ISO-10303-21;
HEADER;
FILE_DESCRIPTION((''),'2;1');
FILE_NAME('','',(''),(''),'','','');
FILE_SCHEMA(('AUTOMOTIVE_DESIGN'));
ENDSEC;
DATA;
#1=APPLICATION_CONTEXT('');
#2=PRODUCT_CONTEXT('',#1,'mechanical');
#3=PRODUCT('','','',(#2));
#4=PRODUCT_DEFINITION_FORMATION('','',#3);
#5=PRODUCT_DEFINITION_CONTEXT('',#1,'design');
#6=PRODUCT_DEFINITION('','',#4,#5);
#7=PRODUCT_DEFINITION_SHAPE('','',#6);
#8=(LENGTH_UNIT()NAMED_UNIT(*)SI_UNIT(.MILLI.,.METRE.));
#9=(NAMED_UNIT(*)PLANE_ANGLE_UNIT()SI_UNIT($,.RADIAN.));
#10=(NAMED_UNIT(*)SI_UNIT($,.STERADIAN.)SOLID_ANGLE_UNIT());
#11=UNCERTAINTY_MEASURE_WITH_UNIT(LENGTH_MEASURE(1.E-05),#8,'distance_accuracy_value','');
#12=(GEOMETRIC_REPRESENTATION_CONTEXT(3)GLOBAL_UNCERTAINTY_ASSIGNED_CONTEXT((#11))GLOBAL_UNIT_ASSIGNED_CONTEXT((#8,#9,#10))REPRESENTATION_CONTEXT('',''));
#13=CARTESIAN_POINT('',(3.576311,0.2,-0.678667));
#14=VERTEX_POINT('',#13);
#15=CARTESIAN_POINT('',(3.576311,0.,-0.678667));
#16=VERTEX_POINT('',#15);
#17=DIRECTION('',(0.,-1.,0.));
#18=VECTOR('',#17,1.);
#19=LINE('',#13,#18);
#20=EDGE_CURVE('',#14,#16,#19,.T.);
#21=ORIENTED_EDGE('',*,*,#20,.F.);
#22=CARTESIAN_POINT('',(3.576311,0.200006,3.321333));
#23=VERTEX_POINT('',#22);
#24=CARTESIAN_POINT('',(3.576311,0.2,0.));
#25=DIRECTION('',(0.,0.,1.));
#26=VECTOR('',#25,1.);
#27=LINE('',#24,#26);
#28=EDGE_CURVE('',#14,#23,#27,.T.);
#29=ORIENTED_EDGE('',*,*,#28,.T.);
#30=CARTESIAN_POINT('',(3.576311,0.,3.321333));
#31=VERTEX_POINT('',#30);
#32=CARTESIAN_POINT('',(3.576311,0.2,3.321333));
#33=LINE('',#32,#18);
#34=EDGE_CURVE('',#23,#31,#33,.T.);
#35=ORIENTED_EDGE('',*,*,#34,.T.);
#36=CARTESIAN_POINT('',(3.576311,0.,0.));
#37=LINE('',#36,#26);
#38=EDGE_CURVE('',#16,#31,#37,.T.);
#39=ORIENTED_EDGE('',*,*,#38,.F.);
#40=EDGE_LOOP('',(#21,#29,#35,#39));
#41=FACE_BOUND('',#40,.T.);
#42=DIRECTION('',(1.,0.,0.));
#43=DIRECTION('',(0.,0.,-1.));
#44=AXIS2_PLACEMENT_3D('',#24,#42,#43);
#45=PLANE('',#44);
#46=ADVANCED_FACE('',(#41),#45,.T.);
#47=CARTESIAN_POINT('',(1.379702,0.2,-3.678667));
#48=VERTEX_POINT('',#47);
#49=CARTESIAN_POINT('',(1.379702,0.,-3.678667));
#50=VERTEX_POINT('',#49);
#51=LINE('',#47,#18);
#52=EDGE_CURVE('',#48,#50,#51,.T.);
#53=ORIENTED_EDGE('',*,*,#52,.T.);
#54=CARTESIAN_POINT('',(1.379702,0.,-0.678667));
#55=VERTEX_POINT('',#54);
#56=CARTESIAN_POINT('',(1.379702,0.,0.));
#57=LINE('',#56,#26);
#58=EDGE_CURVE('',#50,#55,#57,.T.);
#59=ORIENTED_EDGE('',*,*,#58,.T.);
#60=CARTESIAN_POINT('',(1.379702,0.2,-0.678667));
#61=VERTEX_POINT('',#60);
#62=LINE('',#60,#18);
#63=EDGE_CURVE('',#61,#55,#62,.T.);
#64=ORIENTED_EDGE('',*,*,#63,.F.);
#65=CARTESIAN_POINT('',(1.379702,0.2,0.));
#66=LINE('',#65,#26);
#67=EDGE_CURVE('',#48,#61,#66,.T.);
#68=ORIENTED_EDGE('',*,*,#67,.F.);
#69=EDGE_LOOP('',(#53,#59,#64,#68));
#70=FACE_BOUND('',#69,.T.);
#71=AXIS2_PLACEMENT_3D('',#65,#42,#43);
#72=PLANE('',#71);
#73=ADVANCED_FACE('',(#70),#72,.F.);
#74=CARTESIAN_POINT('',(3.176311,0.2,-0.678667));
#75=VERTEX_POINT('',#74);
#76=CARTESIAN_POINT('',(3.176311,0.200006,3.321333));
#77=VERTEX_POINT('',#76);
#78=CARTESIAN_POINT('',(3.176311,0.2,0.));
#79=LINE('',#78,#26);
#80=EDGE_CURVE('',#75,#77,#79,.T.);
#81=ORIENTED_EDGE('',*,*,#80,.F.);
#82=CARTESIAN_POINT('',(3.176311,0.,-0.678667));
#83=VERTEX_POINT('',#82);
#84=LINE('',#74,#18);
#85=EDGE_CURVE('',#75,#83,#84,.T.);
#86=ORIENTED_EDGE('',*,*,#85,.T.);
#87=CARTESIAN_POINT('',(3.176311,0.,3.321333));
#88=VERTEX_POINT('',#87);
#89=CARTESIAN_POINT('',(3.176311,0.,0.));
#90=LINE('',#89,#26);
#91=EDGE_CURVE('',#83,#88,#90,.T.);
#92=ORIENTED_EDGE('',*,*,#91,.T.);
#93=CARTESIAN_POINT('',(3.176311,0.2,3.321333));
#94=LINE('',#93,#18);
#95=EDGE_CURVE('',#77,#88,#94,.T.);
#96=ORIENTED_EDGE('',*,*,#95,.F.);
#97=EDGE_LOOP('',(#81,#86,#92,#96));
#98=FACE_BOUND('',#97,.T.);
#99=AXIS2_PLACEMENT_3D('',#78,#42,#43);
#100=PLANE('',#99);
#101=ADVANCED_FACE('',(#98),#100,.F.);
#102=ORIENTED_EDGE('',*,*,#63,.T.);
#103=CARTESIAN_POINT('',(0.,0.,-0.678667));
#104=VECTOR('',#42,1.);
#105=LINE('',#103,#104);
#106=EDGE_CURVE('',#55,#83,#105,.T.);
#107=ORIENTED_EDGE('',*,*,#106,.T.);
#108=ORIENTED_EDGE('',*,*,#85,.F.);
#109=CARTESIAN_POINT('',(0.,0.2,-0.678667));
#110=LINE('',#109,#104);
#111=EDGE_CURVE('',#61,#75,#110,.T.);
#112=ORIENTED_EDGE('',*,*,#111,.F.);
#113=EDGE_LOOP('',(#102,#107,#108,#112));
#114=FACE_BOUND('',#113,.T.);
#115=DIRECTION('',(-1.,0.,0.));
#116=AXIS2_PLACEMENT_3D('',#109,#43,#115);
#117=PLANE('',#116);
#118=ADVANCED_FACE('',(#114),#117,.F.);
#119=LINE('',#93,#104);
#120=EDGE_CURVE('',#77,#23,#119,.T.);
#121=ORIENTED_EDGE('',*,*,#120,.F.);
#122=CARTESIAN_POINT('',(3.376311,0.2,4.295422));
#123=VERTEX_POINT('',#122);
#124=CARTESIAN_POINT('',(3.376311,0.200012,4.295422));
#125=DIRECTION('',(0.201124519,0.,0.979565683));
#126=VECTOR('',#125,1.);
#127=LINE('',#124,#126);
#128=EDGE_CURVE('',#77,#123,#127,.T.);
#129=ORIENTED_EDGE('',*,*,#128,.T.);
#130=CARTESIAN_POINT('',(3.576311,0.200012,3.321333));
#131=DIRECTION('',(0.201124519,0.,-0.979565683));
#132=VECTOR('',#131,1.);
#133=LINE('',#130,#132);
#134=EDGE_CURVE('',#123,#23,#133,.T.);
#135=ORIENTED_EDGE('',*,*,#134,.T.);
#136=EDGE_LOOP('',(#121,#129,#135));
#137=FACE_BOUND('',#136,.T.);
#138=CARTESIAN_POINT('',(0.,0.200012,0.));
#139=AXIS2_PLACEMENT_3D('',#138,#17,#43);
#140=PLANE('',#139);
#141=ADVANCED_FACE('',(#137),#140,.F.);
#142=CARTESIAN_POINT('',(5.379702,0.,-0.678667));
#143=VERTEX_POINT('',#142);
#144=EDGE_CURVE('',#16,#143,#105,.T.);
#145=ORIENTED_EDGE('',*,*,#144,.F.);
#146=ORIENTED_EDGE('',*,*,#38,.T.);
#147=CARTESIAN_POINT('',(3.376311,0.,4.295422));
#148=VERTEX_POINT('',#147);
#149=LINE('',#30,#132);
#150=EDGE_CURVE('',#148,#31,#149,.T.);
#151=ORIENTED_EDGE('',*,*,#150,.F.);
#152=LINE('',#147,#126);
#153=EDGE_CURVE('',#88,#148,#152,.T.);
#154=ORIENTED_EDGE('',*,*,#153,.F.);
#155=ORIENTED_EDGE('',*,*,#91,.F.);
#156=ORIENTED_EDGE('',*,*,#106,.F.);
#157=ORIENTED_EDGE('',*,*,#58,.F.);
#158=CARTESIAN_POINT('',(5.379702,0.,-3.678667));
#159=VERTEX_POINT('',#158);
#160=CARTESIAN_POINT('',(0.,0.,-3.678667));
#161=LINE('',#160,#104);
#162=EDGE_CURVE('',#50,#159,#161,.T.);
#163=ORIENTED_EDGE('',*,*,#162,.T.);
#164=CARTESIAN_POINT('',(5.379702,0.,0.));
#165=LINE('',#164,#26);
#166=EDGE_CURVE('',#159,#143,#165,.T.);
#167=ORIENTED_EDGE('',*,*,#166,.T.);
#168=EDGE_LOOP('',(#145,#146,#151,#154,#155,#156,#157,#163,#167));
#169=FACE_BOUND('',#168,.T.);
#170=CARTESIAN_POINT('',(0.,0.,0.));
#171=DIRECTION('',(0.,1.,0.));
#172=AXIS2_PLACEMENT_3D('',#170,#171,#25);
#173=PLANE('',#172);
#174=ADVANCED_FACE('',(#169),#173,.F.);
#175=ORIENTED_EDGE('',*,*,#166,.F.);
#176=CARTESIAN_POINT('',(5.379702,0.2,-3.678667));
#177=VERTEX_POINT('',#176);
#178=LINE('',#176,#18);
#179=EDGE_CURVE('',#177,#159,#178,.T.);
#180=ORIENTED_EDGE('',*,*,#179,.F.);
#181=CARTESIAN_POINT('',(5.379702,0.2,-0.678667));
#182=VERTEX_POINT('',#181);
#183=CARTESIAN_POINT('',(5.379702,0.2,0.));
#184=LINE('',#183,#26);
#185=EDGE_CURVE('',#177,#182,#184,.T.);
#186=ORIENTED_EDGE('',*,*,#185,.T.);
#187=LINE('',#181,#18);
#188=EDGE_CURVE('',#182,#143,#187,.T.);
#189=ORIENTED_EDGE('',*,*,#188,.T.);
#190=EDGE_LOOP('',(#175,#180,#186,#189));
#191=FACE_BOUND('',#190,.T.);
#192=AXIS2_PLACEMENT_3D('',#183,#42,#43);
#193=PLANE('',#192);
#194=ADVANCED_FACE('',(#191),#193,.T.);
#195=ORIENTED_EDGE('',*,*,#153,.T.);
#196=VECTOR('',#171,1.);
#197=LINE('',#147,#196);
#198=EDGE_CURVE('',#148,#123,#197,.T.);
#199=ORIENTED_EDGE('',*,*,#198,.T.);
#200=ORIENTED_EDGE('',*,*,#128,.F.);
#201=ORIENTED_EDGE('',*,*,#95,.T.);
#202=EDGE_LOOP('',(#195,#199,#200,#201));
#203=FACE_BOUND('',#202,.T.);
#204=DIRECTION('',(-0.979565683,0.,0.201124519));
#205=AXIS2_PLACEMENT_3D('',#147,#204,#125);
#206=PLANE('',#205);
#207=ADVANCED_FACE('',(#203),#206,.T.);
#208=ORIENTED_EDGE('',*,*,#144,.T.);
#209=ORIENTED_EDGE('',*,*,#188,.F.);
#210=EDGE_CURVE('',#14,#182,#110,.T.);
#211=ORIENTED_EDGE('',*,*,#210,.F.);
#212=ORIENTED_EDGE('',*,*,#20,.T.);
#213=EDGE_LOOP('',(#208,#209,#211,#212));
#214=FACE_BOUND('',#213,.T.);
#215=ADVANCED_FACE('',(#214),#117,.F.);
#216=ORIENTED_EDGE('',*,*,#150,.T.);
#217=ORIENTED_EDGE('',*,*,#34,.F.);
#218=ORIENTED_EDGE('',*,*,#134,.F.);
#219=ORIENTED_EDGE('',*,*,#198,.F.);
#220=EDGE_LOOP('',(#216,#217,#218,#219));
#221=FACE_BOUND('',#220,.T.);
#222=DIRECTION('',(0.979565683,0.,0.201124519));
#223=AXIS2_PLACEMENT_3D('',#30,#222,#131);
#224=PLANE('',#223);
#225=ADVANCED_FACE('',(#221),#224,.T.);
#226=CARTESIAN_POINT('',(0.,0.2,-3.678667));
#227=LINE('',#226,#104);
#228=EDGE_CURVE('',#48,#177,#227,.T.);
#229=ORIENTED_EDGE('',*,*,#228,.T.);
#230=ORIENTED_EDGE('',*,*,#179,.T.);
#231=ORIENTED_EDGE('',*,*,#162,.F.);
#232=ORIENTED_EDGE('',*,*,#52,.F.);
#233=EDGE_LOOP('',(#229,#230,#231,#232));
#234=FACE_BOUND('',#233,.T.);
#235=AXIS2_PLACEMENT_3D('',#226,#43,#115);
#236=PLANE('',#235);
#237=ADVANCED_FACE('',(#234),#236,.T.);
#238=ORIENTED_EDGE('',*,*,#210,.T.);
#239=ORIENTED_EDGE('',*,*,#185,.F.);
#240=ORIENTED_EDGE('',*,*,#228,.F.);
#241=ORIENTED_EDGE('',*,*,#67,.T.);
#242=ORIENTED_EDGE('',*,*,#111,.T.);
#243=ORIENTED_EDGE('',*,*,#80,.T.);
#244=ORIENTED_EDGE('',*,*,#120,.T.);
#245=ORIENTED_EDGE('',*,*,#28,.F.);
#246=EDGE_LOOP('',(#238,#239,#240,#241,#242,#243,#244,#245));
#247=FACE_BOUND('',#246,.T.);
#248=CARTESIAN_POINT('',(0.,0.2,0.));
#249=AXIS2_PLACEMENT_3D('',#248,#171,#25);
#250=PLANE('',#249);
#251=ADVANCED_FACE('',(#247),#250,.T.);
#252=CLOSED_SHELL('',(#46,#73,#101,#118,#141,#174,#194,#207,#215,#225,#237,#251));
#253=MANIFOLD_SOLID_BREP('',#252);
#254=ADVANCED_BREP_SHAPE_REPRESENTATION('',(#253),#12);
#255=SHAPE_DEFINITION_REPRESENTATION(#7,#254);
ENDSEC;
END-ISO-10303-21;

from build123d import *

# Parameters (mm, degrees)
SKETCH1_W           = 0.4
SKETCH1_H           = 4
SKETCH1_W_2         = 4
SKETCH1_H_2         = 3
BOSS_EXTRUDE1_DEPTH = 0.2
BOSS_EXTRUDE3_START = -0.2
BOSS_EXTRUDE3_DEPTH = 0.200006


with BuildPart() as part:
    # Sketch1 → Boss-Extrude1 (new body)
    with BuildSketch(Plane(origin=(0, 0, 0), x_dir=(1, 0, 0), z_dir=(0, 1, 0))):
        with Locations((3.376311417, -1.321333446)):
            Rectangle(SKETCH1_W, SKETCH1_H)
        with Locations((3.379701823, 2.178666554)):
            Rectangle(SKETCH1_W_2, SKETCH1_H_2)
    extrude(amount=BOSS_EXTRUDE1_DEPTH)

    # Sketch5 → Boss-Extrude3 (add)
    with BuildSketch(Plane(origin=(0, 0.2, 0), x_dir=(1, 0, 0), z_dir=(0, 1, 0)).offset(BOSS_EXTRUDE3_START)):
        Polygon((3.176311417, -3.321333446), (3.576311417, -3.321333446), (3.376311417, -4.295422221), align=None)
    extrude(amount=BOSS_EXTRUDE3_DEPTH)


solid = part.part
